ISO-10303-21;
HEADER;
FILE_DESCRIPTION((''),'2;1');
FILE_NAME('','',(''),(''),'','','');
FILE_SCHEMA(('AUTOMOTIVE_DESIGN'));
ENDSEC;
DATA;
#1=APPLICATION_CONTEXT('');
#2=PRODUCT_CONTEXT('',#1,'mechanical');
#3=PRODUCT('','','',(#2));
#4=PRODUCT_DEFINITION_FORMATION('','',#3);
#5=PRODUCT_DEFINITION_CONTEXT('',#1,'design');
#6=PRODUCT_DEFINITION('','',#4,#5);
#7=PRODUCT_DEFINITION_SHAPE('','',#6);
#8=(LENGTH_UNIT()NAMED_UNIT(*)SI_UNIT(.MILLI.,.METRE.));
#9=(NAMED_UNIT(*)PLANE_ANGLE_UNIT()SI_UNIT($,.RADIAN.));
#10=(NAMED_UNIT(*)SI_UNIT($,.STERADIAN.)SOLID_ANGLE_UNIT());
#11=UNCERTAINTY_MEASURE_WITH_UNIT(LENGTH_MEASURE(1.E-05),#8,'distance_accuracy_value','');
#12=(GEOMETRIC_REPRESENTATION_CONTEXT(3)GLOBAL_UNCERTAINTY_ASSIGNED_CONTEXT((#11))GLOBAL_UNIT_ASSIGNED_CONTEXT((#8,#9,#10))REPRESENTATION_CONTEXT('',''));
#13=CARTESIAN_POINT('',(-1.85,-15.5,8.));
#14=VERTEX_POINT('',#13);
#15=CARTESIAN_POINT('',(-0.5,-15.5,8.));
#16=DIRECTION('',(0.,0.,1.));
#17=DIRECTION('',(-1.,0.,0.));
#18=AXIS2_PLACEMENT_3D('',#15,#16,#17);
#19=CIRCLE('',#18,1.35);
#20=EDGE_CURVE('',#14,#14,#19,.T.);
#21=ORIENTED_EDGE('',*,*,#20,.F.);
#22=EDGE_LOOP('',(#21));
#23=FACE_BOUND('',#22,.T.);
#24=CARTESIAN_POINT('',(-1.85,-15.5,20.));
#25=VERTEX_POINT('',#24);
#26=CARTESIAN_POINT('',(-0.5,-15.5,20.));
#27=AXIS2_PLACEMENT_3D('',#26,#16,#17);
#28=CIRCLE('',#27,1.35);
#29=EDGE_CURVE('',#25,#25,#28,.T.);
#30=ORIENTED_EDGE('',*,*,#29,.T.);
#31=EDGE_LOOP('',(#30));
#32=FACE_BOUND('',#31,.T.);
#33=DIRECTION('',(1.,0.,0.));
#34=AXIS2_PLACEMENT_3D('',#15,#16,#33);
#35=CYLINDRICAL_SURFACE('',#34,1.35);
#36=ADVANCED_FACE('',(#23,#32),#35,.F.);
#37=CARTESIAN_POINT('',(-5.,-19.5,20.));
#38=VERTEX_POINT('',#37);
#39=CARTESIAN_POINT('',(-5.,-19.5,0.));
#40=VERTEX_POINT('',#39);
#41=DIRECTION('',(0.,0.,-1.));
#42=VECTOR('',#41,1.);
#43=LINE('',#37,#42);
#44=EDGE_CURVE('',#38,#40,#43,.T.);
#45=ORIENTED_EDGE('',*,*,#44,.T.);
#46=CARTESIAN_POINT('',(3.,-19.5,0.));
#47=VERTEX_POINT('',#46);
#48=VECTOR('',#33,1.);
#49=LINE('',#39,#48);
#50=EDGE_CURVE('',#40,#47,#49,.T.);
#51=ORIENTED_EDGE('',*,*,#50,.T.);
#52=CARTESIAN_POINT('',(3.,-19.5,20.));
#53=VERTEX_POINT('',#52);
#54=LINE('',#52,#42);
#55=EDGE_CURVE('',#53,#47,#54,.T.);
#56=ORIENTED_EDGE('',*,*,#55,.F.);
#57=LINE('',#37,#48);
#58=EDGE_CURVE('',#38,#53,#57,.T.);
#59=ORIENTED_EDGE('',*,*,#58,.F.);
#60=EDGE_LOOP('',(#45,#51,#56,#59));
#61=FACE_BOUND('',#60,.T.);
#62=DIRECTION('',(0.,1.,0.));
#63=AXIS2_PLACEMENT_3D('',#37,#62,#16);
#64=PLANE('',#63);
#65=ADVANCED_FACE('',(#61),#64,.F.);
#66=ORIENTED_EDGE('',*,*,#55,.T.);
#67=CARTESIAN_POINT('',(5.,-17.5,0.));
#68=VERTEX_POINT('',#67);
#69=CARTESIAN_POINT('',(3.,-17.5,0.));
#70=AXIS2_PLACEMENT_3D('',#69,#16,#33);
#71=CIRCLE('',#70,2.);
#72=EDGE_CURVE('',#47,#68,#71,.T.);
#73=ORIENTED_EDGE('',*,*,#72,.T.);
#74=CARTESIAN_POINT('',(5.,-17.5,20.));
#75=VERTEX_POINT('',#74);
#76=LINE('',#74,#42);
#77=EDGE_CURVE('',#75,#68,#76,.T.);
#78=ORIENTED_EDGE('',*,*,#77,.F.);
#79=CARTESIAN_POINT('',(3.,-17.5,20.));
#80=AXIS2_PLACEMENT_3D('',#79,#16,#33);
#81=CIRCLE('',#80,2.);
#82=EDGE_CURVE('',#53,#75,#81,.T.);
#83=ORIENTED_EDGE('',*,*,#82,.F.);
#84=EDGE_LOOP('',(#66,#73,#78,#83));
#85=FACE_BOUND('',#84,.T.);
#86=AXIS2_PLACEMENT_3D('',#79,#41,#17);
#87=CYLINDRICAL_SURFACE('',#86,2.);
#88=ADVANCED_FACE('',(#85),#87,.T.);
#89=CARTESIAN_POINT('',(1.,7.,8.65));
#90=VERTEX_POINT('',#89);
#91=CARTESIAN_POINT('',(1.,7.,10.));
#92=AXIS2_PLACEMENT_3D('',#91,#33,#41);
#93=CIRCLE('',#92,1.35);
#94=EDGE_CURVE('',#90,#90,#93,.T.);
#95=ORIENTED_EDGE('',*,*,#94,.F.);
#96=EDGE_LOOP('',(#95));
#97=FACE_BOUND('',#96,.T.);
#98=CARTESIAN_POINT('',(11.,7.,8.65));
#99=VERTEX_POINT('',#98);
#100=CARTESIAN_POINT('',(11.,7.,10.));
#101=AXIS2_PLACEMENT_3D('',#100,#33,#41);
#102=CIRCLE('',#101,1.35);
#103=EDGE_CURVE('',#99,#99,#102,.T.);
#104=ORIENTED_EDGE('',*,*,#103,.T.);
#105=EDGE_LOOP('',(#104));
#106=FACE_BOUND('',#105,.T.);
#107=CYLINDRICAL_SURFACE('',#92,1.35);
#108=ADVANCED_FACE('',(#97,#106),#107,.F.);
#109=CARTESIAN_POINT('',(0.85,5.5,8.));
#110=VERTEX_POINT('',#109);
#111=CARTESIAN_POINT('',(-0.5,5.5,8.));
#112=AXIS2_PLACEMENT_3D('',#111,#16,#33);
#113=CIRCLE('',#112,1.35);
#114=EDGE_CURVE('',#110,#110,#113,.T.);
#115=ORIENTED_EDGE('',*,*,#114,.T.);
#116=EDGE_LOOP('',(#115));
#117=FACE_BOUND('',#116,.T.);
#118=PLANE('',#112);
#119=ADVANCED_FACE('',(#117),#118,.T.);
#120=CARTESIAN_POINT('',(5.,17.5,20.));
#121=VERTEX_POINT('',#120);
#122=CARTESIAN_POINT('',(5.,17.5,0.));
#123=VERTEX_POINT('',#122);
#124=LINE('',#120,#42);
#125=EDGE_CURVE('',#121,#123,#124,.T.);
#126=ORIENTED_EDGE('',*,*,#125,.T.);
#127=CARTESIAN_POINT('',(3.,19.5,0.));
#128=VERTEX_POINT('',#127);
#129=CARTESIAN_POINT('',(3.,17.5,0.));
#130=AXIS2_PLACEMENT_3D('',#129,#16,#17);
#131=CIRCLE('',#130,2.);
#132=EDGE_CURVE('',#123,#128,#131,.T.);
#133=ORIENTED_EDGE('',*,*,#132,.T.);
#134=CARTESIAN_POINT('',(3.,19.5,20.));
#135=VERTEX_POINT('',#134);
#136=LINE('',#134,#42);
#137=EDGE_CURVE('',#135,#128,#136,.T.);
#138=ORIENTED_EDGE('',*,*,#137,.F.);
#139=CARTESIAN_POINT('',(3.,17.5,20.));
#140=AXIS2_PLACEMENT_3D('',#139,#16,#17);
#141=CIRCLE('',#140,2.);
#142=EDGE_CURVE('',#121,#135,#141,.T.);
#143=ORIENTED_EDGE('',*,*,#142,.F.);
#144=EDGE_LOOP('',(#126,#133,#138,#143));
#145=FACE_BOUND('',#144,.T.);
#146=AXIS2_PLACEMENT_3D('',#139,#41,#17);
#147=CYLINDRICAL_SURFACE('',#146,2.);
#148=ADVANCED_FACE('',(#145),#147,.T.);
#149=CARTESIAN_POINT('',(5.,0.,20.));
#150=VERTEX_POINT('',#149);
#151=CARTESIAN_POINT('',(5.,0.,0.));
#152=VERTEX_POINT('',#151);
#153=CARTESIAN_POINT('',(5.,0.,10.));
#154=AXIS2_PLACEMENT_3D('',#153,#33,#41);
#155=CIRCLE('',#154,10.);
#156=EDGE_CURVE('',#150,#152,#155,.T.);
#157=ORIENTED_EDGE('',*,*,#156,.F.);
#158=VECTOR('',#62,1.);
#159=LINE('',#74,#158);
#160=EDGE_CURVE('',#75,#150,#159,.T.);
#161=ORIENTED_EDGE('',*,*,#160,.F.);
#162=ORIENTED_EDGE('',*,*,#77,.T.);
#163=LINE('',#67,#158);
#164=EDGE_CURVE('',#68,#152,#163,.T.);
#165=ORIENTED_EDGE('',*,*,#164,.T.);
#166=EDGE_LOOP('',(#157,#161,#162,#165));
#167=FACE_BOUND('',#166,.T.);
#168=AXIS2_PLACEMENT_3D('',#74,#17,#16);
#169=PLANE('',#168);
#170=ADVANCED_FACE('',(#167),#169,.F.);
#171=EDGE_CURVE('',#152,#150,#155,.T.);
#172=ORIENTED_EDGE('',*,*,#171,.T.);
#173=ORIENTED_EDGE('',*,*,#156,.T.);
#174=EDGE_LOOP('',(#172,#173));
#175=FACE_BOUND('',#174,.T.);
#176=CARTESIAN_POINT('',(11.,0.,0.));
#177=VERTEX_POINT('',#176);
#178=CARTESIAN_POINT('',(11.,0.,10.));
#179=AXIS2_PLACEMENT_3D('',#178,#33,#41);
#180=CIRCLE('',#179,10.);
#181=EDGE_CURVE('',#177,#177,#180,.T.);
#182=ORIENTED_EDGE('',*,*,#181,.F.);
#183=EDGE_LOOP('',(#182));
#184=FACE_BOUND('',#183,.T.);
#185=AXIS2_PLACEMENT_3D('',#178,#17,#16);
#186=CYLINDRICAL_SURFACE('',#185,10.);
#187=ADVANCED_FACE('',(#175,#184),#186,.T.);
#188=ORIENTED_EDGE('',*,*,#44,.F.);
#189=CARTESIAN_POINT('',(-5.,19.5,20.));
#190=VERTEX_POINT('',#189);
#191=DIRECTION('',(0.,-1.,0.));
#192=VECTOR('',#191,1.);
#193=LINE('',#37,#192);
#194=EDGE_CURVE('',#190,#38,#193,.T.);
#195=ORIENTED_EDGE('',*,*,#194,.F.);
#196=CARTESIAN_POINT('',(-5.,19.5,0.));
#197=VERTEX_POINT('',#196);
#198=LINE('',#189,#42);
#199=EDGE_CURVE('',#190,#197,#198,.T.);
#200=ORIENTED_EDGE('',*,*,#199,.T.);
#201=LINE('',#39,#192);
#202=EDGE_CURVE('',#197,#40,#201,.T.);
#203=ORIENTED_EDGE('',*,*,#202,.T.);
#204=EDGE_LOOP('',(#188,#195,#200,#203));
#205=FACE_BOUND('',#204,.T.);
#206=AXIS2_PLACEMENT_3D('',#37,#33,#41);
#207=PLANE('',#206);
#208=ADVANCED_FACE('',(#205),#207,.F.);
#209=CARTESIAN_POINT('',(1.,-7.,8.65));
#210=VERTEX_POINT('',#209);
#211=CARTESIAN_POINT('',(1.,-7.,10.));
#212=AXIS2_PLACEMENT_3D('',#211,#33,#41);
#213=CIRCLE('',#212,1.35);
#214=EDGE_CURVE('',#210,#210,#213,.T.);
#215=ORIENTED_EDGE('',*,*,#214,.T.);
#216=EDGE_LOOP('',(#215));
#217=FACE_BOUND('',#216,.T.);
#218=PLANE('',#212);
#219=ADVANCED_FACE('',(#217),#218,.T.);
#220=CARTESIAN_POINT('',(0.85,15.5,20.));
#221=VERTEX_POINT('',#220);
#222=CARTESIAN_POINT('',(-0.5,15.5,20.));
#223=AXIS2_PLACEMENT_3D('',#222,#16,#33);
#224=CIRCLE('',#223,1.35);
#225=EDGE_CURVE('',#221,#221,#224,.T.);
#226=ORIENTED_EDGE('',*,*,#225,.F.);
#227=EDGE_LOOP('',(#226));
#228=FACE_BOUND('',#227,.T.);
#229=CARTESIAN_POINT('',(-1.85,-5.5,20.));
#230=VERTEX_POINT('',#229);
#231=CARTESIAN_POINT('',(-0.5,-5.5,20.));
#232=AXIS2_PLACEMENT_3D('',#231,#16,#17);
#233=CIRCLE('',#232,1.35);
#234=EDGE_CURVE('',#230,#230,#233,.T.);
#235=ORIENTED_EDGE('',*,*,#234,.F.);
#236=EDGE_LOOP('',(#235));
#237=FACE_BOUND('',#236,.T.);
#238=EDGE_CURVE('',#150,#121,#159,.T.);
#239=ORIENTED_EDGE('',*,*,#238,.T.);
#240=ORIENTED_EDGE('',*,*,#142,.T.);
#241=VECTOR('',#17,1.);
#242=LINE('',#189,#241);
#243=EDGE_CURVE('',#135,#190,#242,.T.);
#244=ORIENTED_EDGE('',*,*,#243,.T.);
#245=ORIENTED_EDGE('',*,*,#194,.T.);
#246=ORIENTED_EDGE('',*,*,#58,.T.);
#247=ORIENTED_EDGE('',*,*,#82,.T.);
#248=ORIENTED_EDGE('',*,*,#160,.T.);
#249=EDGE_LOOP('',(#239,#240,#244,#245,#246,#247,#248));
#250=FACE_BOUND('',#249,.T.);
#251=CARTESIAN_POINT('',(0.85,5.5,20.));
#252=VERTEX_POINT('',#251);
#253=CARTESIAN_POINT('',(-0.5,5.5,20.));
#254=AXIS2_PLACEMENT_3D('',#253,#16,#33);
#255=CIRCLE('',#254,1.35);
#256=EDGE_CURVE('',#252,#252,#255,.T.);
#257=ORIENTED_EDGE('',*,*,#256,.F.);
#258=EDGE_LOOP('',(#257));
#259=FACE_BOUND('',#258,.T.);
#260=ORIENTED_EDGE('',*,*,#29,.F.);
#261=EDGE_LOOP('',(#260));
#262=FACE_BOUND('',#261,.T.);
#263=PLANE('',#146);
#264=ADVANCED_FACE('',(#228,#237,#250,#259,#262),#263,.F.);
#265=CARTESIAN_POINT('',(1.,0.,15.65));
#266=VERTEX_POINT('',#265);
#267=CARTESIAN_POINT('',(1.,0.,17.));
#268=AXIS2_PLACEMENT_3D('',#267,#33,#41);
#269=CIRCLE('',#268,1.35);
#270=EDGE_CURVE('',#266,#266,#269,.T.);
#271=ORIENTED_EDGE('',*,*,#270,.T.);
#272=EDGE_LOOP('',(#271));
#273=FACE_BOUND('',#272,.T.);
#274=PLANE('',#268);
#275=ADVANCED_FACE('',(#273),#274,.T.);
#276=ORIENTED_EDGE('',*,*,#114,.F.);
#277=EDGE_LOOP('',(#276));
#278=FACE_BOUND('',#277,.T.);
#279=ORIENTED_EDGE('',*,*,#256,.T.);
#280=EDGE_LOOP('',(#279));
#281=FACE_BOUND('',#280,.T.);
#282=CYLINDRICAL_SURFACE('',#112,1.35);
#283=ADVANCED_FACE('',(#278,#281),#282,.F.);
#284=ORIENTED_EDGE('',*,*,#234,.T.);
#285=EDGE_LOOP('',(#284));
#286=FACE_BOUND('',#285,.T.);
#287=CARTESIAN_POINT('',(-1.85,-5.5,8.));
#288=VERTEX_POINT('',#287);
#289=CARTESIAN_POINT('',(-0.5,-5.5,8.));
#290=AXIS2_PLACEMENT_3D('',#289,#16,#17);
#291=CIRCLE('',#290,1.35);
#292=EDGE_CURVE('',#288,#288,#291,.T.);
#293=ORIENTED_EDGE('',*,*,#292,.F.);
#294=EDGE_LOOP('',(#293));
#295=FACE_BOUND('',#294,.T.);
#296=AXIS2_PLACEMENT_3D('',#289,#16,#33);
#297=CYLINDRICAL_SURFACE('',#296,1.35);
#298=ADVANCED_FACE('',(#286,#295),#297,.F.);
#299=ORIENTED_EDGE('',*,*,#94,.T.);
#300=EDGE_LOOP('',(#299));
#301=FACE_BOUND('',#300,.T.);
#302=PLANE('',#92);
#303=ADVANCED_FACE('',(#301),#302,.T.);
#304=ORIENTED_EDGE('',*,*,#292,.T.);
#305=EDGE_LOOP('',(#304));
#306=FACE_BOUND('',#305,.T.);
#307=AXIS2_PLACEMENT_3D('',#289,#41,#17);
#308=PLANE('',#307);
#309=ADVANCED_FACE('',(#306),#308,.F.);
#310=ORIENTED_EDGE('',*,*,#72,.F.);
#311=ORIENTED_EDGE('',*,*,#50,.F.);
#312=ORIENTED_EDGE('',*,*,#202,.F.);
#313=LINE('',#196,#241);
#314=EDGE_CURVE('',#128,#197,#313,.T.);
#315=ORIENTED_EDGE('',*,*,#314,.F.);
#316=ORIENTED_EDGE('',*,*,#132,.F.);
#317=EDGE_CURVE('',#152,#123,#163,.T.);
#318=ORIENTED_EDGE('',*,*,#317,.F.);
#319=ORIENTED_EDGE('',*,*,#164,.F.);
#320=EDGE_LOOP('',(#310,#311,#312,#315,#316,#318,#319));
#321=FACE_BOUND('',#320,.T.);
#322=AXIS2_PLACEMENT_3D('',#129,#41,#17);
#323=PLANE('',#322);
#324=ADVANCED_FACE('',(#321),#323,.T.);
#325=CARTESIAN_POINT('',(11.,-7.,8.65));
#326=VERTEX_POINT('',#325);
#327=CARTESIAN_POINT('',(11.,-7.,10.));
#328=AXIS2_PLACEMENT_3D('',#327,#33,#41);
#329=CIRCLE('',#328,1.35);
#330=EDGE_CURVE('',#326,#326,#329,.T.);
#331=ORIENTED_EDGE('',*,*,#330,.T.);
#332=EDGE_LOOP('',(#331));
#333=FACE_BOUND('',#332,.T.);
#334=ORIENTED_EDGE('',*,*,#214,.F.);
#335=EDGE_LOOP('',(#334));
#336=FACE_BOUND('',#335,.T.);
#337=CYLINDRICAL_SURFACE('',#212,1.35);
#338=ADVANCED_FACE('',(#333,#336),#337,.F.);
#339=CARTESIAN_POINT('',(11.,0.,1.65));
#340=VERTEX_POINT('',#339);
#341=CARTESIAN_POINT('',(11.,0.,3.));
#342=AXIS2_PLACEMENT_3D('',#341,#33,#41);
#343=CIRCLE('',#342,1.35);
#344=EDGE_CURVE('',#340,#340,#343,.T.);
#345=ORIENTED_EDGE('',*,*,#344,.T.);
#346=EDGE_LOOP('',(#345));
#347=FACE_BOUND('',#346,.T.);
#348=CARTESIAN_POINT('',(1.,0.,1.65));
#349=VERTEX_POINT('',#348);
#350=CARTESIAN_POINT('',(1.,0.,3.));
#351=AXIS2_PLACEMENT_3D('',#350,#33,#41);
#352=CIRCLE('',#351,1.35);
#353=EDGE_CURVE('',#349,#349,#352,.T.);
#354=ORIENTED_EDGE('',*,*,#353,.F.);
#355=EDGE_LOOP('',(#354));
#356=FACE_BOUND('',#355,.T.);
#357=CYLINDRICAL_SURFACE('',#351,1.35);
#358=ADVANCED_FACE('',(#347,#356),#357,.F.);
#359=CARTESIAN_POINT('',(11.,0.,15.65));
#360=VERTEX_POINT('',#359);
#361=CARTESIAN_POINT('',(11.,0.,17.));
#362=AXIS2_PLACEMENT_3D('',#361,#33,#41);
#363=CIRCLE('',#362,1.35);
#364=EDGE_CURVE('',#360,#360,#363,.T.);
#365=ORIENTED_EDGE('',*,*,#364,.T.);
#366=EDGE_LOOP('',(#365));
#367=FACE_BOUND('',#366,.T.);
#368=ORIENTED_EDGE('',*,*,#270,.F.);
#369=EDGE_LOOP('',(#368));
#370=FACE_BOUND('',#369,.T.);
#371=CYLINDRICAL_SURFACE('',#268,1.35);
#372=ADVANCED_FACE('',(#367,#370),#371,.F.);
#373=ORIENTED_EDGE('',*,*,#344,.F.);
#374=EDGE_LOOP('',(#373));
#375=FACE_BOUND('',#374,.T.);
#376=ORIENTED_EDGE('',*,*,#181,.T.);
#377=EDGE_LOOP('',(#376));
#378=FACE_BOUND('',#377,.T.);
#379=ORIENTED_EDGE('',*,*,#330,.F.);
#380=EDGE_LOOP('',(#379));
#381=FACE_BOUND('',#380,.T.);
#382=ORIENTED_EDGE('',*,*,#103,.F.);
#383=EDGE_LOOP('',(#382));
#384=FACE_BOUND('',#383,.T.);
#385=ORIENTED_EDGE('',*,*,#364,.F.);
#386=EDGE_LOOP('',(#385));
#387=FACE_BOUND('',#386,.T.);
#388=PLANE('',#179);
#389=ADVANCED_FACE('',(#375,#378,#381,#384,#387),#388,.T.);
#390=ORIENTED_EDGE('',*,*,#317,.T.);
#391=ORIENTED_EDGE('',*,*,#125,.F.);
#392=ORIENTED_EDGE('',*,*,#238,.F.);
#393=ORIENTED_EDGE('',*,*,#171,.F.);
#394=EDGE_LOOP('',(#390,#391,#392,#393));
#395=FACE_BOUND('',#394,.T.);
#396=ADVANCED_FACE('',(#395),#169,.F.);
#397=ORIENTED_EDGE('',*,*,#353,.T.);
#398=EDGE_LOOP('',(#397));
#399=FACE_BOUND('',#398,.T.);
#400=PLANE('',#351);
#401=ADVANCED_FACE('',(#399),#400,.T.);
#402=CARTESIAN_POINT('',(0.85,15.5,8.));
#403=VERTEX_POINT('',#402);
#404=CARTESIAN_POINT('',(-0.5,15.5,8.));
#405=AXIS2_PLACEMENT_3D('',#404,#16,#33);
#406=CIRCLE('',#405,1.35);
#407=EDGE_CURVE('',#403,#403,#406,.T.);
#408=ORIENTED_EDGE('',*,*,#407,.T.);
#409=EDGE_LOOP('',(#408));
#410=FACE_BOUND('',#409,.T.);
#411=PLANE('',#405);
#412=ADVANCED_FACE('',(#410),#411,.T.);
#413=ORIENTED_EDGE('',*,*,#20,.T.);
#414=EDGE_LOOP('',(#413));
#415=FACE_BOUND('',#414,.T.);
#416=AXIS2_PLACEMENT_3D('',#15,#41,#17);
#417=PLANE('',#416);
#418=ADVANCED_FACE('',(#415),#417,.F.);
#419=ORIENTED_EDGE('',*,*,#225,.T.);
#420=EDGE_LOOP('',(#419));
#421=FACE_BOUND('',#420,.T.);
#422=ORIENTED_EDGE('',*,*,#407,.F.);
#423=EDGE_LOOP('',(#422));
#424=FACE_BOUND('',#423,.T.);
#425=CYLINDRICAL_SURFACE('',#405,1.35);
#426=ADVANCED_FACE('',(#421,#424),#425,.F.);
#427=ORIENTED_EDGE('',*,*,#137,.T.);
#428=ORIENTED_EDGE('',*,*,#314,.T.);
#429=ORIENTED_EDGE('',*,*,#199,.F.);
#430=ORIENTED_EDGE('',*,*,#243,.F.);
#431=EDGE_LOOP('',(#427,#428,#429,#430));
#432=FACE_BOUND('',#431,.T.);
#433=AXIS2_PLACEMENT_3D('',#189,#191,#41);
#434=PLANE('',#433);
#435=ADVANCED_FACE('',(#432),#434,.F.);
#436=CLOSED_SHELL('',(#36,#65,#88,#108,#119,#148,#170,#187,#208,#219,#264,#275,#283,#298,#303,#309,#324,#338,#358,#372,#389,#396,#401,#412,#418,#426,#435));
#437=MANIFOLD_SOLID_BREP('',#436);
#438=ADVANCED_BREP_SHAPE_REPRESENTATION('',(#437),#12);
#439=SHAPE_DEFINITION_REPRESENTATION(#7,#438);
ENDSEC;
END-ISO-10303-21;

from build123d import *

# Parameters (mm, degrees)
BOSS_EXTRUDE1_DEPTH = 20
SKETCH2_R           = 1.35
CUT_EXTRUDE2_DEPTH  = 12
SKETCH3_R           = 10
BOSS_EXTRUDE2_DEPTH = 6
SKETCH4_R           = 1.35
CUT_EXTRUDE3_DEPTH  = 10


with BuildPart() as part:
    # Sketch1 → Boss-Extrude1 (new body)
    with BuildSketch(Plane.XY):
        with BuildLine():
            Line((-5, -19.5), (3, -19.5))
            ThreePointArc((3, -19.5), (4.414213562, -18.914213562), (5, -17.5))
            Line((5, -17.5), (5, 17.5))
            ThreePointArc((5, 17.5), (4.414213562, 18.914213562), (3, 19.5))
            Line((3, 19.5), (-5, 19.5))
            Line((-5, 19.5), (-5, -19.5))
        make_face()
    extrude(amount=BOSS_EXTRUDE1_DEPTH)

    # Sketch2 → Cut-Extrude2 (cut)
    with BuildSketch(Plane.XY.offset(20)):
        with Locations((-0.5, 15.5)):
            Circle(SKETCH2_R)
        with Locations((-0.5, 5.5)):
            Circle(SKETCH2_R)
        with Locations((-0.5, -15.5)):
            Circle(SKETCH2_R)
        with Locations((-0.5, -5.5)):
            Circle(SKETCH2_R)
    extrude(amount=-CUT_EXTRUDE2_DEPTH, mode=Mode.SUBTRACT)

    # Sketch3 → Boss-Extrude2 (add)
    with BuildSketch(Plane(origin=(5, 0, 0), x_dir=(0, 0, -1), z_dir=(1, 0, 0))):
        with Locations((-10, 0)):
            Circle(SKETCH3_R)
    extrude(amount=BOSS_EXTRUDE2_DEPTH)

    # Sketch4 → Cut-Extrude3 (cut)
    with BuildSketch(Plane(origin=(11, 0, 0), x_dir=(0, 0, -1), z_dir=(1, 0, 0))):
        with Locations((-17, 0)):
            Circle(SKETCH4_R)
        with Locations((-10, 7)):
            Circle(SKETCH4_R)
        with Locations((-3, 0)):
            Circle(SKETCH4_R)
        with Locations((-10, -7)):
            Circle(SKETCH4_R)
    extrude(amount=-CUT_EXTRUDE3_DEPTH, mode=Mode.SUBTRACT)


solid = part.part
